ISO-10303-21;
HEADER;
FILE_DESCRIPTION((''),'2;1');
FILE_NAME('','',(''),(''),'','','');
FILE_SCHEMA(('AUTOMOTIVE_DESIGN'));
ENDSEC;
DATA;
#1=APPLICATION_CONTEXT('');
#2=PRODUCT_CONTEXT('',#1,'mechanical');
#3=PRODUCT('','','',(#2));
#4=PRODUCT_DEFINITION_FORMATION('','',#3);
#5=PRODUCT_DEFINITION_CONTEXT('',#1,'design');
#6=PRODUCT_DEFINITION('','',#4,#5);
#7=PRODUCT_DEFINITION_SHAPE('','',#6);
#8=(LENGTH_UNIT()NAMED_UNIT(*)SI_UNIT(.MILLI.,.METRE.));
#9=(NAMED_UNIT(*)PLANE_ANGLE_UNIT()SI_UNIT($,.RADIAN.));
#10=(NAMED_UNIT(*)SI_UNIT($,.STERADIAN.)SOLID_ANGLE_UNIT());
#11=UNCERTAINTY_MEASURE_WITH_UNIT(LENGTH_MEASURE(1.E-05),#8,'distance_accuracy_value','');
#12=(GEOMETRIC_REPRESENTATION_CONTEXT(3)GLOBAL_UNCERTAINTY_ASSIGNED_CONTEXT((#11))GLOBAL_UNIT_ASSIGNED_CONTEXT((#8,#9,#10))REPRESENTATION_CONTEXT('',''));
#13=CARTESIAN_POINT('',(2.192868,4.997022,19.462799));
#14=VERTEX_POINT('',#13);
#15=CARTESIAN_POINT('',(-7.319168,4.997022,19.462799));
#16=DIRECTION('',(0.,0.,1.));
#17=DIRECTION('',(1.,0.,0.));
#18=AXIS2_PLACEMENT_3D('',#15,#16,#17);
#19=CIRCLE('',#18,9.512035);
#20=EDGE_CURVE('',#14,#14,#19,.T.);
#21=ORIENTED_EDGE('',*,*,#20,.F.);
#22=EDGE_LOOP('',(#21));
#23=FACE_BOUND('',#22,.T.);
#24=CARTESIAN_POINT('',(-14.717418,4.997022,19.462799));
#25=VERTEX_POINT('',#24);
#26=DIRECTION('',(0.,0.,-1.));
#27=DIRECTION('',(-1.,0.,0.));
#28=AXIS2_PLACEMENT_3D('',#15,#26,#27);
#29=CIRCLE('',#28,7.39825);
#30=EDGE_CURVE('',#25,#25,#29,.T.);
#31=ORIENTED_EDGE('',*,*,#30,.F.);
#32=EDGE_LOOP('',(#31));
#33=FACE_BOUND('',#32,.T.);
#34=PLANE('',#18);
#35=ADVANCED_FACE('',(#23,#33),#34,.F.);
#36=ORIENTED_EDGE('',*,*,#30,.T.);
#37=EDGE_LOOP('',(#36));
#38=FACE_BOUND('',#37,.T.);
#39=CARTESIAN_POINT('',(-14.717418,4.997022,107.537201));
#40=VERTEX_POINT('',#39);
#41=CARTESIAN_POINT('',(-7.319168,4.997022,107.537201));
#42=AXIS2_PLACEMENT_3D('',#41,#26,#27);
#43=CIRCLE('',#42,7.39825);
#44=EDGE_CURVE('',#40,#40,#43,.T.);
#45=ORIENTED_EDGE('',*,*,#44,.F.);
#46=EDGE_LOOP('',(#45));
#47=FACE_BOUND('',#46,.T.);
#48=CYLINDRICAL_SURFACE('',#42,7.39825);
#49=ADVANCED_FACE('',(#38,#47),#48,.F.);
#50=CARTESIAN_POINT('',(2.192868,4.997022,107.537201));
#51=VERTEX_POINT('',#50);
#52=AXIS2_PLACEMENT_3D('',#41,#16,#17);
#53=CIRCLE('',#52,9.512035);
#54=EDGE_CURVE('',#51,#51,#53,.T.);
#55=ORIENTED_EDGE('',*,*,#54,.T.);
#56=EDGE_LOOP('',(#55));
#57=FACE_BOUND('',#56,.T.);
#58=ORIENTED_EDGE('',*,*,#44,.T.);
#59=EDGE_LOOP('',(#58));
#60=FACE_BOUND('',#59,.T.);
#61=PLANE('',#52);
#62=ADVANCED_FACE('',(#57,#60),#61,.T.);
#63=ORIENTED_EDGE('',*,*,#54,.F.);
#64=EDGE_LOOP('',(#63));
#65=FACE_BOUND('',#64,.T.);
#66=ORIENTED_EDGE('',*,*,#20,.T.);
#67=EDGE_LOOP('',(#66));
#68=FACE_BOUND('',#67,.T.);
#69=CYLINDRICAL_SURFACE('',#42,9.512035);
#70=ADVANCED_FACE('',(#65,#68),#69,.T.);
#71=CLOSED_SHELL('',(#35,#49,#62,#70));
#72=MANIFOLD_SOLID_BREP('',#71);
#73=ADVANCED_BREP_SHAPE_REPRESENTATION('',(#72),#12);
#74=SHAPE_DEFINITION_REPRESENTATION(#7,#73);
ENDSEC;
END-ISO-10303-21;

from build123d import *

# Parameters (mm, degrees)
SKETCH1_R           = 13.716
BOSS_EXTRUDE1_DEPTH = 127
SKETCH2_R           = 10.668
CUT_EXTRUDE1_DEPTH  = 127
SCALE1_SCALE        = 0.735294118
SCALE2_SCALE        = 0.892857143
SCALE3_SCALE        = 1.056338028


with BuildPart() as part:
    # Sketch1 → Boss-Extrude1 (new body)
    with BuildSketch(Plane.XY):
        with Locations((-7.319167791, 4.997022186)):
            Circle(SKETCH1_R)
    extrude(amount=BOSS_EXTRUDE1_DEPTH)

    # Sketch2 → Cut-Extrude1 (cut)
    with BuildSketch(Plane(origin=(0, 0, 0), x_dir=(-1, 0, 0), z_dir=(0, 0, -1))):
        with Locations((7.319167791, 4.997022186)):
            Circle(SKETCH2_R)
    extrude(amount=-CUT_EXTRUDE1_DEPTH, mode=Mode.SUBTRACT)


with BuildPart() as part_1:
    # Scale1: scaled about (-7.319167791, 4.997022186, 63.5)
    add(part.part.scale(SCALE1_SCALE).moved(Location((-1.937426768, 1.322741167, 16.808823529))))


with BuildPart() as part_2:
    # Scale2: scaled about (-7.319167791, 4.997022186, 63.5)
    add(part_1.part.scale(SCALE2_SCALE).moved(Location((-0.784196549, 0.535395234, 6.803571429))))


with BuildPart() as part_3:
    # Scale3: scaled about (-7.319167791, 4.997022186, 63.5)
    add(part_2.part.scale(SCALE3_SCALE).moved(Location((0.412347481, -0.281522377, -3.577464789))))


solid = part_3.part
